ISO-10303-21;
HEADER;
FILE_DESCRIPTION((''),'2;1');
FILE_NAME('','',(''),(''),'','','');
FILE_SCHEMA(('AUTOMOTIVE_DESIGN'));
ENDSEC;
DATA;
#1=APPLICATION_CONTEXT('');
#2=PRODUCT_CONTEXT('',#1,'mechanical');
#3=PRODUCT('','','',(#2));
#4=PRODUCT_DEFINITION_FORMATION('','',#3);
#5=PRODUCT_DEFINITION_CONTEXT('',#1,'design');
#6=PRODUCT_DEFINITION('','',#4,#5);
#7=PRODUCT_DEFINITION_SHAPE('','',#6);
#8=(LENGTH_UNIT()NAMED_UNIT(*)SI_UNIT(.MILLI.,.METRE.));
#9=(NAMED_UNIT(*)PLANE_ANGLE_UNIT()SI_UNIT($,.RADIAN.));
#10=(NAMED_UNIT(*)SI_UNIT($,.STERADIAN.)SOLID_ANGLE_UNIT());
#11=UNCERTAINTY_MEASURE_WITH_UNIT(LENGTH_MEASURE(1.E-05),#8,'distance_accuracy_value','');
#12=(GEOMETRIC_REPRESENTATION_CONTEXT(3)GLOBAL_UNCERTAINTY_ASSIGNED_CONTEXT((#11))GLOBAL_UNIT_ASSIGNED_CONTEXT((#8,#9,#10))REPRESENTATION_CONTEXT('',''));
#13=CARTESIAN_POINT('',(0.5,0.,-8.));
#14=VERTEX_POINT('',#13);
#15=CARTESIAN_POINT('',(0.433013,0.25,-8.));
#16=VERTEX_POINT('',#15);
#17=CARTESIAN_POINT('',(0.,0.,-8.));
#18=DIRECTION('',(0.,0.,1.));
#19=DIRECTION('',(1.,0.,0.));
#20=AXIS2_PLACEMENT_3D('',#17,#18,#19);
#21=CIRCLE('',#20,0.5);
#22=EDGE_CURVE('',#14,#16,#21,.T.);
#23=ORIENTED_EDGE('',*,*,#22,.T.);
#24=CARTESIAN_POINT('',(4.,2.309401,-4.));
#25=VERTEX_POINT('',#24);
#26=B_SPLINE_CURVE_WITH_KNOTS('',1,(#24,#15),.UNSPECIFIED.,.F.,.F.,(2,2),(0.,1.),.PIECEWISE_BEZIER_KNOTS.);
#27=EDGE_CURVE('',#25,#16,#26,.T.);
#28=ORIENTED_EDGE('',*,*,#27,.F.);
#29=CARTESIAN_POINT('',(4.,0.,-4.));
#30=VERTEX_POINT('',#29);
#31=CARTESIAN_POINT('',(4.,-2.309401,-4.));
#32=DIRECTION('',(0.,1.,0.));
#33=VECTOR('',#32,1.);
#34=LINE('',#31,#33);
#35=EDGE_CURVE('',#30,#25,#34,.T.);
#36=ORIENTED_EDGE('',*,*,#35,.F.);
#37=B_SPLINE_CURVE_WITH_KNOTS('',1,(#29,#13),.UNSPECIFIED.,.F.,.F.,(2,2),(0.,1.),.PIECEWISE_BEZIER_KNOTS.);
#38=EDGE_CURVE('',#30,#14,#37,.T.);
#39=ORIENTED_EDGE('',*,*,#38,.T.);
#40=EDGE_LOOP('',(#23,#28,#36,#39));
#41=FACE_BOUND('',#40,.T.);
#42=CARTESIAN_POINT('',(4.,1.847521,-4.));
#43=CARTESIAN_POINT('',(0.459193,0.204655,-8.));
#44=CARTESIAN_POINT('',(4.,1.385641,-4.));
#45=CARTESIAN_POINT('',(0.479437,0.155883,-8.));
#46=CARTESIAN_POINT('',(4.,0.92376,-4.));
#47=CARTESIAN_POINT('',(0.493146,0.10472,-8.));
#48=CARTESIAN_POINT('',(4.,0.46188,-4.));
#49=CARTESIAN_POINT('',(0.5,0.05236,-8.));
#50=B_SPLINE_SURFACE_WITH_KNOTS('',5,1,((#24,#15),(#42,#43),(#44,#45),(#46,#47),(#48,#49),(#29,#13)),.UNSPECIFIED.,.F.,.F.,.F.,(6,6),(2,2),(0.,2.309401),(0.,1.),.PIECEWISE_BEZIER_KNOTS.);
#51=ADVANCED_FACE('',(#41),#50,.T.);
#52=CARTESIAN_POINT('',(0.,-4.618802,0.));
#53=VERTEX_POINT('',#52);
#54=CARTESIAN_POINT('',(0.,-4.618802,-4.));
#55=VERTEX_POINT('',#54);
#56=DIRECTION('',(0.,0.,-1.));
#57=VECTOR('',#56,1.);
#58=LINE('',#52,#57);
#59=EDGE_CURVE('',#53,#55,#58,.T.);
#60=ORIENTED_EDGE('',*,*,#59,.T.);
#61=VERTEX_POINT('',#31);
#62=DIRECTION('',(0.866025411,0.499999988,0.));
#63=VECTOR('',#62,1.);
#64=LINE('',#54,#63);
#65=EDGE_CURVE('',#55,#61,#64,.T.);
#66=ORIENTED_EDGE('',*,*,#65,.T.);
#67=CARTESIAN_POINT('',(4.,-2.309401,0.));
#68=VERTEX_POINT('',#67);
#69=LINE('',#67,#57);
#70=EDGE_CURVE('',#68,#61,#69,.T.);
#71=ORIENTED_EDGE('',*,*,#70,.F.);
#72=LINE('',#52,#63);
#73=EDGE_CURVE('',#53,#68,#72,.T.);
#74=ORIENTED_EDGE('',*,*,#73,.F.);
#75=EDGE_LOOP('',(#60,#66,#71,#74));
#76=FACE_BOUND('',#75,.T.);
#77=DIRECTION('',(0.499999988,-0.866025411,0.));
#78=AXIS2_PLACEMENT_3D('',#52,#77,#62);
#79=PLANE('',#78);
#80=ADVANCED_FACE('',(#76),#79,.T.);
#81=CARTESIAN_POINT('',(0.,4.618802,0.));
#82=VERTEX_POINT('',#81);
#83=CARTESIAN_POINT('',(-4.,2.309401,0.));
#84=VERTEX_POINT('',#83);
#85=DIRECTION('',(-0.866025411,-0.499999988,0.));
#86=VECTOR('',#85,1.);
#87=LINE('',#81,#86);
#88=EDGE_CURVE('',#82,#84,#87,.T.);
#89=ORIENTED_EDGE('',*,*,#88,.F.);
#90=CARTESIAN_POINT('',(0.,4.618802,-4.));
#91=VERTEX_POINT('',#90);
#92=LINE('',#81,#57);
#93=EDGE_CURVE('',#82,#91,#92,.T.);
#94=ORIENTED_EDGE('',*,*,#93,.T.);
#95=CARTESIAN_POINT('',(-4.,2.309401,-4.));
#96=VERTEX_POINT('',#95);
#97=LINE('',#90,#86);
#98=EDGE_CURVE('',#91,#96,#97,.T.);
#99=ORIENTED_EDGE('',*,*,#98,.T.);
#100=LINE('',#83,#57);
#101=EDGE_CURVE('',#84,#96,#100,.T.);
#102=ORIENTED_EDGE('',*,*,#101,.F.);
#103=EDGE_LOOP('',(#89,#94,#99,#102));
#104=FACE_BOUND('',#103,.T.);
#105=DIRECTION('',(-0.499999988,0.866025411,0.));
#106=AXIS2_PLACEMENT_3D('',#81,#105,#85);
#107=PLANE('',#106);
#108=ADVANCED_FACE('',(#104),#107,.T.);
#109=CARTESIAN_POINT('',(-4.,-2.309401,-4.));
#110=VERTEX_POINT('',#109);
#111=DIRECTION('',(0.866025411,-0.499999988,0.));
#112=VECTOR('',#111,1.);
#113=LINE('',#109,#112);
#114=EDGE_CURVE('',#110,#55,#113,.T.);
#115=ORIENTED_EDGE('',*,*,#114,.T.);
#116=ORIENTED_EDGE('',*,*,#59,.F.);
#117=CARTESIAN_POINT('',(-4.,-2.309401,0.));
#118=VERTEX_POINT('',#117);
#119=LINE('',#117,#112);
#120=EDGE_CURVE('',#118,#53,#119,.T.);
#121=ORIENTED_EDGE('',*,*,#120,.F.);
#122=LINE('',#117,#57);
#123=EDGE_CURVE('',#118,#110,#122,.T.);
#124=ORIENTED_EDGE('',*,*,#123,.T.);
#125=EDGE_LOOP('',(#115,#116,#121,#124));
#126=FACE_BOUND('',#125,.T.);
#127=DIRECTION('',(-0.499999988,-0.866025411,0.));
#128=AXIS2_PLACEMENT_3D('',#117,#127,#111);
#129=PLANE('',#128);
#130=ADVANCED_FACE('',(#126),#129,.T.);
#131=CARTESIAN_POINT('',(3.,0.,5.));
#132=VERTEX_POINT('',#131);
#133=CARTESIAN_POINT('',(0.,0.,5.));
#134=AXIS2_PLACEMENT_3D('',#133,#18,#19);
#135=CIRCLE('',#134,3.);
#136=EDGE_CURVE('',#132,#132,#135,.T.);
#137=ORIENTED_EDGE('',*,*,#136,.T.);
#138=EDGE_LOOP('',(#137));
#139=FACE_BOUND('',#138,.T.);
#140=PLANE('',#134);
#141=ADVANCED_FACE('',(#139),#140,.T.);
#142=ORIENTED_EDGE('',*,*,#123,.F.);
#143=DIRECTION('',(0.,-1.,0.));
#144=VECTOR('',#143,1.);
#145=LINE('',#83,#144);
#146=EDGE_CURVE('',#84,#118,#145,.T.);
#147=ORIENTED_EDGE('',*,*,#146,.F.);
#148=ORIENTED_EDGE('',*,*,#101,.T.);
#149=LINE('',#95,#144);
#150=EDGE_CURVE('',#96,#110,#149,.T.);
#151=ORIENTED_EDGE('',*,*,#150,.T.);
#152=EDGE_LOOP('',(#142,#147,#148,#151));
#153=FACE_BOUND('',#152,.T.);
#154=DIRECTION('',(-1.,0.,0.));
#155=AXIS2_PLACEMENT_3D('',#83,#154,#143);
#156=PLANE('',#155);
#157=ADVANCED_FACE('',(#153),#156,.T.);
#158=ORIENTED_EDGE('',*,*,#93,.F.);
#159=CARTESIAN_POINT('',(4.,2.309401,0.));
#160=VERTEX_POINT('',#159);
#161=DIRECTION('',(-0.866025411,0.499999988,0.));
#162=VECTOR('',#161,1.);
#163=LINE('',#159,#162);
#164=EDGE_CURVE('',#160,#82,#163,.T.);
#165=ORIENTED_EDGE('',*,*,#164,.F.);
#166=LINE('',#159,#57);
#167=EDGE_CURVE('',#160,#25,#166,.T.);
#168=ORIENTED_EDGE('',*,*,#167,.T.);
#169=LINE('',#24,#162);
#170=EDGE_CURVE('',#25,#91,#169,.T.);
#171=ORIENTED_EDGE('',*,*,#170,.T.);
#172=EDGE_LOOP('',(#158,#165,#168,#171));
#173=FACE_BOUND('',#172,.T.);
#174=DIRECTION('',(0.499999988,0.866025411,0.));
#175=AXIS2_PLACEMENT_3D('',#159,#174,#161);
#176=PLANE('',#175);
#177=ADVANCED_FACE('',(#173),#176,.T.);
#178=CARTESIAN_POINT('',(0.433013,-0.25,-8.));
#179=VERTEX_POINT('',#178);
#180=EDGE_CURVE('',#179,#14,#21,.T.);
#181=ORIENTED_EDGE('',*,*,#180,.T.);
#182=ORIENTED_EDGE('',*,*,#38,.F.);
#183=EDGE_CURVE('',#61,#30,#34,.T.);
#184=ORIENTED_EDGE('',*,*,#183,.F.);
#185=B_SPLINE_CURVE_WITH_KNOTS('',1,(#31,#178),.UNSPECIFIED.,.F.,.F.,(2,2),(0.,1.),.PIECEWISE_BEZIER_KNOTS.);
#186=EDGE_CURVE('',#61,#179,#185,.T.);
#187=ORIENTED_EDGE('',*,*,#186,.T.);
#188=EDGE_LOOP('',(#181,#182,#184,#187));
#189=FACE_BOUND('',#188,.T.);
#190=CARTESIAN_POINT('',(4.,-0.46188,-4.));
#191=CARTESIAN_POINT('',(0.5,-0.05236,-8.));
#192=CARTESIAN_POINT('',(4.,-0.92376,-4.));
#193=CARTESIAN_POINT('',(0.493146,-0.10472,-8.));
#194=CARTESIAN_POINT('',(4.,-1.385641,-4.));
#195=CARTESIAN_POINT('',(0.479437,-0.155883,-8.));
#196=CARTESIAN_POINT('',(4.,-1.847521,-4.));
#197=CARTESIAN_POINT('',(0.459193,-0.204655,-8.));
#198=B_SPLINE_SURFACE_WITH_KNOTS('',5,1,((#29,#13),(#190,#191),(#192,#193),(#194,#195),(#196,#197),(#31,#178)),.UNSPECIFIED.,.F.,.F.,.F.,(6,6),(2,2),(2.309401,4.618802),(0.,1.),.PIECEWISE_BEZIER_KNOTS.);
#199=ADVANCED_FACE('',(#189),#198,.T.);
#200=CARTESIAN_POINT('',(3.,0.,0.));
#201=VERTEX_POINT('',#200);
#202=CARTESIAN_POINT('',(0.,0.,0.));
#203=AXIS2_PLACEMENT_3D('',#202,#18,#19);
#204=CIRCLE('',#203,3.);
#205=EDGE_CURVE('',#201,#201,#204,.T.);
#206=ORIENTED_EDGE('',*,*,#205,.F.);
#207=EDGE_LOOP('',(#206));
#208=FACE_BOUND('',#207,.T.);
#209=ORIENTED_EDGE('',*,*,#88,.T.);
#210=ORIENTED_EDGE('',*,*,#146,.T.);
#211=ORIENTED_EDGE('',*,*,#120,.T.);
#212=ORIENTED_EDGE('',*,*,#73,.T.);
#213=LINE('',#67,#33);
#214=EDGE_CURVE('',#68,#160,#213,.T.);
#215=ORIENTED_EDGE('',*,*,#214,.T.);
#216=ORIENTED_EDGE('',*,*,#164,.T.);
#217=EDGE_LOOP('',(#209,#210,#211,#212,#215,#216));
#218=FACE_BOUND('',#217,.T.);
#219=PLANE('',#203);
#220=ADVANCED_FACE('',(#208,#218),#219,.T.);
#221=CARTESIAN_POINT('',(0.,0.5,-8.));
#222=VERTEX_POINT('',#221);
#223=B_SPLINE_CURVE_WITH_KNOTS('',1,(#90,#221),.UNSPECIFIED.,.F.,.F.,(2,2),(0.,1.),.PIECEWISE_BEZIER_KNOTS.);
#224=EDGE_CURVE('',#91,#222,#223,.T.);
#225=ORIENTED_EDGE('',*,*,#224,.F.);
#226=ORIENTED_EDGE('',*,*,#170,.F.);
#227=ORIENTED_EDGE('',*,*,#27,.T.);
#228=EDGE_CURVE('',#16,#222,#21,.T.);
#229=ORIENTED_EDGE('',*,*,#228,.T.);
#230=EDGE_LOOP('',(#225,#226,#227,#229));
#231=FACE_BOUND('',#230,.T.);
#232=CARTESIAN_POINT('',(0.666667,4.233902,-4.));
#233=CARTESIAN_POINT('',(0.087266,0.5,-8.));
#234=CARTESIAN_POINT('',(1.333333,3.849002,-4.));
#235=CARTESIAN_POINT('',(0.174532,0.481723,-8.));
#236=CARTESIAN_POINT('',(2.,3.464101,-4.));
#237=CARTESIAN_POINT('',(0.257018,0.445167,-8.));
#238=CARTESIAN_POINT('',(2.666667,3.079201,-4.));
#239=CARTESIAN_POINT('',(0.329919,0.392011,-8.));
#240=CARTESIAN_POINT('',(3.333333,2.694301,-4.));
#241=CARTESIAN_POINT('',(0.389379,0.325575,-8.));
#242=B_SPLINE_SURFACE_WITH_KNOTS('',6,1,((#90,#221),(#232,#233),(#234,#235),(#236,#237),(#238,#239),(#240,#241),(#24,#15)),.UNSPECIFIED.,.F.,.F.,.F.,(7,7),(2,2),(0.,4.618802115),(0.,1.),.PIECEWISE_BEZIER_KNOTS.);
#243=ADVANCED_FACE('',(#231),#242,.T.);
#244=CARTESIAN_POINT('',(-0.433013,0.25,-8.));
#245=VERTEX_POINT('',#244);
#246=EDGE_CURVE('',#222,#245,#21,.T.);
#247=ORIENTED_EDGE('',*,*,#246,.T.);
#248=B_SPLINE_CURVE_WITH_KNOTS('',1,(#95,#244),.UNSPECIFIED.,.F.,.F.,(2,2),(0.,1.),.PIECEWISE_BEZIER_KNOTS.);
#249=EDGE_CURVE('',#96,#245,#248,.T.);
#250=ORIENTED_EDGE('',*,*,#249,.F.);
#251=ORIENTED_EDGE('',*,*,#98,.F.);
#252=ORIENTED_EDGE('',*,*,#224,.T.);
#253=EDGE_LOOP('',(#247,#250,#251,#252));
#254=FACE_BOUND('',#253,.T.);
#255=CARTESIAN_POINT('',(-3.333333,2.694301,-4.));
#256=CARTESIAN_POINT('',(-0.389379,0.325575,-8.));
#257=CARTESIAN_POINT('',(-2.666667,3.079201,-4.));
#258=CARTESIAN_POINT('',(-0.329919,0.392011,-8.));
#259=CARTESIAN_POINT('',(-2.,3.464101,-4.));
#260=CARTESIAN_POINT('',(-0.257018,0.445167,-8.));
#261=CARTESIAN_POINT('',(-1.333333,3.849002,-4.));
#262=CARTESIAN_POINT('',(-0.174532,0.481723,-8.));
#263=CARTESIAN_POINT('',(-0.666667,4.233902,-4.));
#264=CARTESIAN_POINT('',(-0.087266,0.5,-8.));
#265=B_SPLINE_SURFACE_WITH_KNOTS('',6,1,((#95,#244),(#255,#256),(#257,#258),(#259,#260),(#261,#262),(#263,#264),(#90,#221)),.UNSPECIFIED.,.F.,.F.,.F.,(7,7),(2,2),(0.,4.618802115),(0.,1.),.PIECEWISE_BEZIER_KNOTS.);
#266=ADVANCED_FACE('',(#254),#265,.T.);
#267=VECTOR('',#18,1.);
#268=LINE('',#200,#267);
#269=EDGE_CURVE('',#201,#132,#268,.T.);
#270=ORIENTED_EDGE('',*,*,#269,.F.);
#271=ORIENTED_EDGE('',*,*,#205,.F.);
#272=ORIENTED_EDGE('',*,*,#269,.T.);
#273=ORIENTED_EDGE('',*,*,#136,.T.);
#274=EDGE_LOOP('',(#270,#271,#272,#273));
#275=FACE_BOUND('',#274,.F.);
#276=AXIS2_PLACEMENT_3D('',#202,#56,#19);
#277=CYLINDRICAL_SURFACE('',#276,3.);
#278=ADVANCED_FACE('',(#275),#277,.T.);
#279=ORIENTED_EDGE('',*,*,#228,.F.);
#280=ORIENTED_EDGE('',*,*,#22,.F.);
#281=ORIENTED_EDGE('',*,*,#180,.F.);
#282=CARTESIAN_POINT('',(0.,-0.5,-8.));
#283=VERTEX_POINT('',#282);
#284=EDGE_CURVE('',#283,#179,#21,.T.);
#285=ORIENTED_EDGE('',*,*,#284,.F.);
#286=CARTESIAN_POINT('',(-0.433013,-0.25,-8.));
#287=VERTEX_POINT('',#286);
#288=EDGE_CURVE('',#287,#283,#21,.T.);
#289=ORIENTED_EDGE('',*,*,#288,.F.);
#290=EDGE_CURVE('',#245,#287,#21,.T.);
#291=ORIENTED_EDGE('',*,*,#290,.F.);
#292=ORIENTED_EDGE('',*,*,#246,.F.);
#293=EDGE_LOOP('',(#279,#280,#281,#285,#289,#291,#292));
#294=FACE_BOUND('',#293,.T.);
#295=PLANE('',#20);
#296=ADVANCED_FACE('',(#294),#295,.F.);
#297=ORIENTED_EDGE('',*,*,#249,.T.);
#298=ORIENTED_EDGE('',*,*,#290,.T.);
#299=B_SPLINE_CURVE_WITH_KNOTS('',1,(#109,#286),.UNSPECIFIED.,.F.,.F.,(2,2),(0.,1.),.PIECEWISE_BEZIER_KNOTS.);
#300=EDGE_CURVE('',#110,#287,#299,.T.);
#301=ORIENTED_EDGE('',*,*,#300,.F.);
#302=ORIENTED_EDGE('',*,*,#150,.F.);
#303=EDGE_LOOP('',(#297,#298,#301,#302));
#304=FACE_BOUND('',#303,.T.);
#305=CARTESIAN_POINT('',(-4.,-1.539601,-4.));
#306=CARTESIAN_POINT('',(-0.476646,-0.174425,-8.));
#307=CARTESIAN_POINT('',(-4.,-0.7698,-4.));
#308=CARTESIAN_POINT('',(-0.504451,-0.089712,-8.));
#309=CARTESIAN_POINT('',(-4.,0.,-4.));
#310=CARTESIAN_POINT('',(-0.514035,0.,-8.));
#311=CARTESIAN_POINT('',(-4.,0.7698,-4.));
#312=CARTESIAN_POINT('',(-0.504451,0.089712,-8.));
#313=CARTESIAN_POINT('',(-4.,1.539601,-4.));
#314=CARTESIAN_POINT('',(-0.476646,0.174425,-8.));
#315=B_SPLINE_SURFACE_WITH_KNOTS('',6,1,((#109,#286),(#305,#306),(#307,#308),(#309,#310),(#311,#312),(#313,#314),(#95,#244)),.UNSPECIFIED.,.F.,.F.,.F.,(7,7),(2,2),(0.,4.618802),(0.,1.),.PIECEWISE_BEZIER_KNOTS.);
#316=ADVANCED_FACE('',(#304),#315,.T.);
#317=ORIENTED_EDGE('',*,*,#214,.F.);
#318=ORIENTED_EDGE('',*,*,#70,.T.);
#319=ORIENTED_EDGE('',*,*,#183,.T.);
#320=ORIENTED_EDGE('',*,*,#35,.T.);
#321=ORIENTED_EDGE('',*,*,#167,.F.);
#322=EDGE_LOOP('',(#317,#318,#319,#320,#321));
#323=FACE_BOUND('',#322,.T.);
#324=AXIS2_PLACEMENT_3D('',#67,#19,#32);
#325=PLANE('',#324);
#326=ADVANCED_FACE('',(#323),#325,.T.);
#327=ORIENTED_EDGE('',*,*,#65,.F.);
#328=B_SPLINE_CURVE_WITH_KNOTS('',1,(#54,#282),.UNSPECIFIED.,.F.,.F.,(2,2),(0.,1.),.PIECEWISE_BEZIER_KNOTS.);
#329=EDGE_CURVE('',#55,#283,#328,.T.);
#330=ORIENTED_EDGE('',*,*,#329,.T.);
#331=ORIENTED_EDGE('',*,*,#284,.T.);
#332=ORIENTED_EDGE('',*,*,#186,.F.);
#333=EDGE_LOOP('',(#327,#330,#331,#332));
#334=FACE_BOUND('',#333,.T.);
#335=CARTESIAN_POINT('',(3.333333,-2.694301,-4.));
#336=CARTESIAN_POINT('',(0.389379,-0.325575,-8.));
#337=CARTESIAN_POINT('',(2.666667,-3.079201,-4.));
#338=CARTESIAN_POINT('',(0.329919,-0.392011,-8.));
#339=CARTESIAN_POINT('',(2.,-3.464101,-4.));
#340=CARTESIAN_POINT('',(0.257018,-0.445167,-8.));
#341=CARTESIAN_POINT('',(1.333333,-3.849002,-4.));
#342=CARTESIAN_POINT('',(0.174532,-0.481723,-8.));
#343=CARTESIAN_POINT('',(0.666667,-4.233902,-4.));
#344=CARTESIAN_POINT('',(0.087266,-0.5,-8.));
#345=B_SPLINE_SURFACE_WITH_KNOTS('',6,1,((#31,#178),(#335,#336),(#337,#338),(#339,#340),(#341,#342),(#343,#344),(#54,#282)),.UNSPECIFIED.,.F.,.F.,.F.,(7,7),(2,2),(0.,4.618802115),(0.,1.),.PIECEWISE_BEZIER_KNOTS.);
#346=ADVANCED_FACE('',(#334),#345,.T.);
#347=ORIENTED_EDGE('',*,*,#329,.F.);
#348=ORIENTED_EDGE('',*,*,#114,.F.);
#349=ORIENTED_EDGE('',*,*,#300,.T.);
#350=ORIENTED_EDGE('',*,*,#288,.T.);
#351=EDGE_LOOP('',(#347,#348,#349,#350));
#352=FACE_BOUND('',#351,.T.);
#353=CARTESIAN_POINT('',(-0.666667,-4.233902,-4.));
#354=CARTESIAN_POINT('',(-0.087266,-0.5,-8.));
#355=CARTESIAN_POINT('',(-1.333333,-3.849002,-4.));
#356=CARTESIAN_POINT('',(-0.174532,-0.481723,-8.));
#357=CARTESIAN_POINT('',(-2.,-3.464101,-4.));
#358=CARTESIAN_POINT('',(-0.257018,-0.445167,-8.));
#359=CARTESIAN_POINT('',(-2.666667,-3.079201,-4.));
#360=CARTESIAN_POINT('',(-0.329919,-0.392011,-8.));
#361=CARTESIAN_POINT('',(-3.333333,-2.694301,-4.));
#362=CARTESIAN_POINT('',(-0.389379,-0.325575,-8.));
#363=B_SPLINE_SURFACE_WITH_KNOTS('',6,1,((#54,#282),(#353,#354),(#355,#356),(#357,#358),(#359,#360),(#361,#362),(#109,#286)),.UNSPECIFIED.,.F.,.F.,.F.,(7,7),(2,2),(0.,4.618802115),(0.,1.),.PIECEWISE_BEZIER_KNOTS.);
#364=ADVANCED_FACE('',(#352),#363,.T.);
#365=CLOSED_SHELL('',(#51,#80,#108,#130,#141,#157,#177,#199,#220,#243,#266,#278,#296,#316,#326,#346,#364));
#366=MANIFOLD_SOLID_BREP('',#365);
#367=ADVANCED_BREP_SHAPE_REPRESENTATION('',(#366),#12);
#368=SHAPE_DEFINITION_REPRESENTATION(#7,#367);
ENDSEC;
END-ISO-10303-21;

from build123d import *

# Parameters (mm, degrees)
F0_R     = 3
F1_DEPTH = 5
F2_DEPTH = 4
F4_R     = 0.5


with BuildPart() as f1:
    # F0 (on Top) → F1 (new body)
    with BuildSketch(Plane.XY):
        Circle(F0_R)
    extrude(amount=F1_DEPTH)

    # F0 (on Top) → F2 (join)
    with BuildSketch(Plane.XY):
        Polygon((4, -2.309401), (4, 2.309401), (0, 4.618802), (-4, 2.309401), (-4, -2.309401), (0, -4.618802), align=None)
        Circle(F0_R, mode=Mode.SUBTRACT)
        Circle(F0_R)
    extrude(amount=-F2_DEPTH)

    # F2_face (on face) → F5 section 0
    with BuildSketch(Plane(origin=(0, 0, -4), x_dir=(1, 0, 0), z_dir=(0, 0, -1))):
        Polygon((4, -2.309401), (4, 2.309401), (0, 4.618802), (-4, 2.309401), (-4, -2.309401), (0, -4.618802), align=None)
    # F4 (on offset) → F5 section 1
    with BuildSketch(Plane.XY.offset(-8)):
        Circle(F4_R)
    loft()


solid = f1.part
